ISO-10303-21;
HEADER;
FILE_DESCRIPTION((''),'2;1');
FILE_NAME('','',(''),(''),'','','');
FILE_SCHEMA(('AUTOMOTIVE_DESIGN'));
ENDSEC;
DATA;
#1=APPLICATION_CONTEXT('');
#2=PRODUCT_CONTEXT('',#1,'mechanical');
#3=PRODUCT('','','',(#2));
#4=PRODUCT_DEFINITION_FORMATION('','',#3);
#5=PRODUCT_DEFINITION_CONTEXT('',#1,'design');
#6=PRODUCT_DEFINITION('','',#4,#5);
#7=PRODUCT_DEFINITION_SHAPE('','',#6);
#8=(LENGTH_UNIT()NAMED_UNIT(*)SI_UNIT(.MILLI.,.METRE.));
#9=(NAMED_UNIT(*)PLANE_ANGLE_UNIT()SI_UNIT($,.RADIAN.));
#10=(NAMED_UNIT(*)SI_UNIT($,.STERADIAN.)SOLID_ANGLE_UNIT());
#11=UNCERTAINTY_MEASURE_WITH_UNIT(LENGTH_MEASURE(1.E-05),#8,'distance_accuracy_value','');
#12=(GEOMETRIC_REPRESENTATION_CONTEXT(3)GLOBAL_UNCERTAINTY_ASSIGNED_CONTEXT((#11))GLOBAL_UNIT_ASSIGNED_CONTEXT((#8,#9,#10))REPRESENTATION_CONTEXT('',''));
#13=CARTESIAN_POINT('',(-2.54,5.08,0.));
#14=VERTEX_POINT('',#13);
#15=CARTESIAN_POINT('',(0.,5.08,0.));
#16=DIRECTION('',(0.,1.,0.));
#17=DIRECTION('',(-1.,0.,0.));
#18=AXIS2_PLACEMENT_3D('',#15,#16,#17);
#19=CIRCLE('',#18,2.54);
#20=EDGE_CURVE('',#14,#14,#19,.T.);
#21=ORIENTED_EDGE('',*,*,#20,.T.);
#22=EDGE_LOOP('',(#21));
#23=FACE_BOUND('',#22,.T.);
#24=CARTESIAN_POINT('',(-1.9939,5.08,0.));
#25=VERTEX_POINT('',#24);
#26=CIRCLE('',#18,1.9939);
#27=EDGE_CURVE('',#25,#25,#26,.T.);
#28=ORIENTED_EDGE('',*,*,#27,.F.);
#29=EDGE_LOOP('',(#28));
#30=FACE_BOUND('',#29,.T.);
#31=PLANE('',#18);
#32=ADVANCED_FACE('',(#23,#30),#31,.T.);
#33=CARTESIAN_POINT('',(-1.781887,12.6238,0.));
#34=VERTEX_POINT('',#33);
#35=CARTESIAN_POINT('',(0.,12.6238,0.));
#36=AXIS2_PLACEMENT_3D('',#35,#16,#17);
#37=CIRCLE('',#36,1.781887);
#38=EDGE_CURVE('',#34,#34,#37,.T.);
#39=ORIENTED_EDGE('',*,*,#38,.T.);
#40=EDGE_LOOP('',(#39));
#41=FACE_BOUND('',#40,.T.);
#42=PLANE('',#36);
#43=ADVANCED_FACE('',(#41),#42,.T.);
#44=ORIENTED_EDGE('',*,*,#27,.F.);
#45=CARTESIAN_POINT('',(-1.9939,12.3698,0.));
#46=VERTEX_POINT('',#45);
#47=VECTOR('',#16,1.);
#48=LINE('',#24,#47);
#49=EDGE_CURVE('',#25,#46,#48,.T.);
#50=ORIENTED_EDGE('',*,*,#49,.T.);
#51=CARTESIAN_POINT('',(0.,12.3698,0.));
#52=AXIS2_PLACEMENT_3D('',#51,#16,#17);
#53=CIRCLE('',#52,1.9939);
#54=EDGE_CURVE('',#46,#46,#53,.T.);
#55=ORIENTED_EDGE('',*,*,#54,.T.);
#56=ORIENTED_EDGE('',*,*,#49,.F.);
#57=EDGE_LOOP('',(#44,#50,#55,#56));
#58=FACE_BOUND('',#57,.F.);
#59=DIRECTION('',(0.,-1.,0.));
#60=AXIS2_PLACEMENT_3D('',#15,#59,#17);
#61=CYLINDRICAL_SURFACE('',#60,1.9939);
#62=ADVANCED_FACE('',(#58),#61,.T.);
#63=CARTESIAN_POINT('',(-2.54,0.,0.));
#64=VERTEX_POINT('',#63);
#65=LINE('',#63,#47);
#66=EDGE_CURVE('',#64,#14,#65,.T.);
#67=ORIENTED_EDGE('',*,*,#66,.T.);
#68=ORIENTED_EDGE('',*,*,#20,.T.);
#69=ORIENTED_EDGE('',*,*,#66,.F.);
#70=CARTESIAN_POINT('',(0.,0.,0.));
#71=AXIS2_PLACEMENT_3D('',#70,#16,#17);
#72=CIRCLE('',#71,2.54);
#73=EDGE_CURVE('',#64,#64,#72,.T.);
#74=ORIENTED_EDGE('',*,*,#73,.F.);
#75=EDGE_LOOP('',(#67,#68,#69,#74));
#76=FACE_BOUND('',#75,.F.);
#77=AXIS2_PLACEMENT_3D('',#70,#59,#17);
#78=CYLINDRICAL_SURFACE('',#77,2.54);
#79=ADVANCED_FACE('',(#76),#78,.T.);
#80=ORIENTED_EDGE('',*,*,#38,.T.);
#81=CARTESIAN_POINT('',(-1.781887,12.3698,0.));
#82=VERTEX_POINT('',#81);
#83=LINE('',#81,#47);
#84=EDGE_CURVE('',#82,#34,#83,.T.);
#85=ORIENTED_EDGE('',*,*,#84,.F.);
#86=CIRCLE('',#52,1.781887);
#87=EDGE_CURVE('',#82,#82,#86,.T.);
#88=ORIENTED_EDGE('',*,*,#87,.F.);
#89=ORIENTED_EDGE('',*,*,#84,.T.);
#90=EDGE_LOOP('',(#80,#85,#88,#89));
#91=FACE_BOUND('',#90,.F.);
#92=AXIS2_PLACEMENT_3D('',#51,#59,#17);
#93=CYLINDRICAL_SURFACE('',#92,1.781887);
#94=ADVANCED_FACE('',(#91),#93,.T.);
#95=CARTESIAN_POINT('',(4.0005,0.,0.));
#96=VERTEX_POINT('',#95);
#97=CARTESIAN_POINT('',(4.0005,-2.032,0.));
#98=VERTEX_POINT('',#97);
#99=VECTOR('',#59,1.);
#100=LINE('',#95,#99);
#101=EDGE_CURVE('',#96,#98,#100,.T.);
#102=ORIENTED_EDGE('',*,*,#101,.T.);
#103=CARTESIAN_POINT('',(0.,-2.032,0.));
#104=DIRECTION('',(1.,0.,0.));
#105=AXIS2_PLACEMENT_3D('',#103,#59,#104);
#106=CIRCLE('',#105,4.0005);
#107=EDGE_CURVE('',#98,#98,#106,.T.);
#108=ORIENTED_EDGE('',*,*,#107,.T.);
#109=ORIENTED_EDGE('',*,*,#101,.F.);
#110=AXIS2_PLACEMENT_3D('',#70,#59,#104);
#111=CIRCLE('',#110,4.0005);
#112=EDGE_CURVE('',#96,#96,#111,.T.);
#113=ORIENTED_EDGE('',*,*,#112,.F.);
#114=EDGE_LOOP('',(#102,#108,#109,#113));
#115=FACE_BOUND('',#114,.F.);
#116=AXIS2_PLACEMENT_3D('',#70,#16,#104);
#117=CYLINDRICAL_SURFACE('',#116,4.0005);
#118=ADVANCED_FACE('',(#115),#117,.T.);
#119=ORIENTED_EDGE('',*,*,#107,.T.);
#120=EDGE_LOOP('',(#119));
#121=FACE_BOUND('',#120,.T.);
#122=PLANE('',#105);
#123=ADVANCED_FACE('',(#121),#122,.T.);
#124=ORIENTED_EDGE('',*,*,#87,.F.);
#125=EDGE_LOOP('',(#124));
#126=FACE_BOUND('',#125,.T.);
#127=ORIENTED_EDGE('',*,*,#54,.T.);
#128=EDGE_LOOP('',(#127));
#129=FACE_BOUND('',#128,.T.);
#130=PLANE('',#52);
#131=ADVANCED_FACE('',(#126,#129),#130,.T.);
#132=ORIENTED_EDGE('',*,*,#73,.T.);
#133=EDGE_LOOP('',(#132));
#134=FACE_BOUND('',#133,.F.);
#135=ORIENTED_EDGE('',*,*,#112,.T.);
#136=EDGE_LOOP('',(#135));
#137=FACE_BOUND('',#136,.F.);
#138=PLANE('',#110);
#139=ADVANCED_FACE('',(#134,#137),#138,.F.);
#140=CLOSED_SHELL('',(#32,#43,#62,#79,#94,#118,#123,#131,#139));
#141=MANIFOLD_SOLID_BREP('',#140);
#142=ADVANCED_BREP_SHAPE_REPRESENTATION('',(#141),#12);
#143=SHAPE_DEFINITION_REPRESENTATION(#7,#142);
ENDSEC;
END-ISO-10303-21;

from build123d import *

# Parameters (mm, degrees)
F0_R     = 4.0005
F0_R_2   = 2.9972
F1_DEPTH = 2.032
F2_R     = 2.54
F3_DEPTH = 5.08
F4_R     = 1.9939
F5_DEPTH = 7.2898
F6_R     = 1.781887
F7_DEPTH = 0.254


with BuildPart() as f1:
    # F0 (on Front) → F1 (new body)
    with BuildSketch(Plane.XZ):
        Circle(F0_R)
        Circle(F0_R_2, mode=Mode.SUBTRACT)
        Circle(F0_R_2)
    extrude(amount=F1_DEPTH)

    # F2 (on face) → F3 (join)
    with BuildSketch(Plane(origin=(0, 0, 0), x_dir=(-1, 0, 0), z_dir=(0, 1, 0))):
        Circle(F2_R)
    extrude(amount=F3_DEPTH)

    # F4 (on face) → F5 (join)
    with BuildSketch(Plane(origin=(0, 5.08, 0), x_dir=(-1, 0, 0), z_dir=(0, 1, 0))):
        Circle(F4_R)
    extrude(amount=F5_DEPTH)

    # F6 (on face) → F7 (join)
    with BuildSketch(Plane(origin=(0, 12.3698, 0), x_dir=(-1, 0, 0), z_dir=(0, 1, 0))):
        Circle(F6_R)
    extrude(amount=F7_DEPTH)


solid = f1.part
